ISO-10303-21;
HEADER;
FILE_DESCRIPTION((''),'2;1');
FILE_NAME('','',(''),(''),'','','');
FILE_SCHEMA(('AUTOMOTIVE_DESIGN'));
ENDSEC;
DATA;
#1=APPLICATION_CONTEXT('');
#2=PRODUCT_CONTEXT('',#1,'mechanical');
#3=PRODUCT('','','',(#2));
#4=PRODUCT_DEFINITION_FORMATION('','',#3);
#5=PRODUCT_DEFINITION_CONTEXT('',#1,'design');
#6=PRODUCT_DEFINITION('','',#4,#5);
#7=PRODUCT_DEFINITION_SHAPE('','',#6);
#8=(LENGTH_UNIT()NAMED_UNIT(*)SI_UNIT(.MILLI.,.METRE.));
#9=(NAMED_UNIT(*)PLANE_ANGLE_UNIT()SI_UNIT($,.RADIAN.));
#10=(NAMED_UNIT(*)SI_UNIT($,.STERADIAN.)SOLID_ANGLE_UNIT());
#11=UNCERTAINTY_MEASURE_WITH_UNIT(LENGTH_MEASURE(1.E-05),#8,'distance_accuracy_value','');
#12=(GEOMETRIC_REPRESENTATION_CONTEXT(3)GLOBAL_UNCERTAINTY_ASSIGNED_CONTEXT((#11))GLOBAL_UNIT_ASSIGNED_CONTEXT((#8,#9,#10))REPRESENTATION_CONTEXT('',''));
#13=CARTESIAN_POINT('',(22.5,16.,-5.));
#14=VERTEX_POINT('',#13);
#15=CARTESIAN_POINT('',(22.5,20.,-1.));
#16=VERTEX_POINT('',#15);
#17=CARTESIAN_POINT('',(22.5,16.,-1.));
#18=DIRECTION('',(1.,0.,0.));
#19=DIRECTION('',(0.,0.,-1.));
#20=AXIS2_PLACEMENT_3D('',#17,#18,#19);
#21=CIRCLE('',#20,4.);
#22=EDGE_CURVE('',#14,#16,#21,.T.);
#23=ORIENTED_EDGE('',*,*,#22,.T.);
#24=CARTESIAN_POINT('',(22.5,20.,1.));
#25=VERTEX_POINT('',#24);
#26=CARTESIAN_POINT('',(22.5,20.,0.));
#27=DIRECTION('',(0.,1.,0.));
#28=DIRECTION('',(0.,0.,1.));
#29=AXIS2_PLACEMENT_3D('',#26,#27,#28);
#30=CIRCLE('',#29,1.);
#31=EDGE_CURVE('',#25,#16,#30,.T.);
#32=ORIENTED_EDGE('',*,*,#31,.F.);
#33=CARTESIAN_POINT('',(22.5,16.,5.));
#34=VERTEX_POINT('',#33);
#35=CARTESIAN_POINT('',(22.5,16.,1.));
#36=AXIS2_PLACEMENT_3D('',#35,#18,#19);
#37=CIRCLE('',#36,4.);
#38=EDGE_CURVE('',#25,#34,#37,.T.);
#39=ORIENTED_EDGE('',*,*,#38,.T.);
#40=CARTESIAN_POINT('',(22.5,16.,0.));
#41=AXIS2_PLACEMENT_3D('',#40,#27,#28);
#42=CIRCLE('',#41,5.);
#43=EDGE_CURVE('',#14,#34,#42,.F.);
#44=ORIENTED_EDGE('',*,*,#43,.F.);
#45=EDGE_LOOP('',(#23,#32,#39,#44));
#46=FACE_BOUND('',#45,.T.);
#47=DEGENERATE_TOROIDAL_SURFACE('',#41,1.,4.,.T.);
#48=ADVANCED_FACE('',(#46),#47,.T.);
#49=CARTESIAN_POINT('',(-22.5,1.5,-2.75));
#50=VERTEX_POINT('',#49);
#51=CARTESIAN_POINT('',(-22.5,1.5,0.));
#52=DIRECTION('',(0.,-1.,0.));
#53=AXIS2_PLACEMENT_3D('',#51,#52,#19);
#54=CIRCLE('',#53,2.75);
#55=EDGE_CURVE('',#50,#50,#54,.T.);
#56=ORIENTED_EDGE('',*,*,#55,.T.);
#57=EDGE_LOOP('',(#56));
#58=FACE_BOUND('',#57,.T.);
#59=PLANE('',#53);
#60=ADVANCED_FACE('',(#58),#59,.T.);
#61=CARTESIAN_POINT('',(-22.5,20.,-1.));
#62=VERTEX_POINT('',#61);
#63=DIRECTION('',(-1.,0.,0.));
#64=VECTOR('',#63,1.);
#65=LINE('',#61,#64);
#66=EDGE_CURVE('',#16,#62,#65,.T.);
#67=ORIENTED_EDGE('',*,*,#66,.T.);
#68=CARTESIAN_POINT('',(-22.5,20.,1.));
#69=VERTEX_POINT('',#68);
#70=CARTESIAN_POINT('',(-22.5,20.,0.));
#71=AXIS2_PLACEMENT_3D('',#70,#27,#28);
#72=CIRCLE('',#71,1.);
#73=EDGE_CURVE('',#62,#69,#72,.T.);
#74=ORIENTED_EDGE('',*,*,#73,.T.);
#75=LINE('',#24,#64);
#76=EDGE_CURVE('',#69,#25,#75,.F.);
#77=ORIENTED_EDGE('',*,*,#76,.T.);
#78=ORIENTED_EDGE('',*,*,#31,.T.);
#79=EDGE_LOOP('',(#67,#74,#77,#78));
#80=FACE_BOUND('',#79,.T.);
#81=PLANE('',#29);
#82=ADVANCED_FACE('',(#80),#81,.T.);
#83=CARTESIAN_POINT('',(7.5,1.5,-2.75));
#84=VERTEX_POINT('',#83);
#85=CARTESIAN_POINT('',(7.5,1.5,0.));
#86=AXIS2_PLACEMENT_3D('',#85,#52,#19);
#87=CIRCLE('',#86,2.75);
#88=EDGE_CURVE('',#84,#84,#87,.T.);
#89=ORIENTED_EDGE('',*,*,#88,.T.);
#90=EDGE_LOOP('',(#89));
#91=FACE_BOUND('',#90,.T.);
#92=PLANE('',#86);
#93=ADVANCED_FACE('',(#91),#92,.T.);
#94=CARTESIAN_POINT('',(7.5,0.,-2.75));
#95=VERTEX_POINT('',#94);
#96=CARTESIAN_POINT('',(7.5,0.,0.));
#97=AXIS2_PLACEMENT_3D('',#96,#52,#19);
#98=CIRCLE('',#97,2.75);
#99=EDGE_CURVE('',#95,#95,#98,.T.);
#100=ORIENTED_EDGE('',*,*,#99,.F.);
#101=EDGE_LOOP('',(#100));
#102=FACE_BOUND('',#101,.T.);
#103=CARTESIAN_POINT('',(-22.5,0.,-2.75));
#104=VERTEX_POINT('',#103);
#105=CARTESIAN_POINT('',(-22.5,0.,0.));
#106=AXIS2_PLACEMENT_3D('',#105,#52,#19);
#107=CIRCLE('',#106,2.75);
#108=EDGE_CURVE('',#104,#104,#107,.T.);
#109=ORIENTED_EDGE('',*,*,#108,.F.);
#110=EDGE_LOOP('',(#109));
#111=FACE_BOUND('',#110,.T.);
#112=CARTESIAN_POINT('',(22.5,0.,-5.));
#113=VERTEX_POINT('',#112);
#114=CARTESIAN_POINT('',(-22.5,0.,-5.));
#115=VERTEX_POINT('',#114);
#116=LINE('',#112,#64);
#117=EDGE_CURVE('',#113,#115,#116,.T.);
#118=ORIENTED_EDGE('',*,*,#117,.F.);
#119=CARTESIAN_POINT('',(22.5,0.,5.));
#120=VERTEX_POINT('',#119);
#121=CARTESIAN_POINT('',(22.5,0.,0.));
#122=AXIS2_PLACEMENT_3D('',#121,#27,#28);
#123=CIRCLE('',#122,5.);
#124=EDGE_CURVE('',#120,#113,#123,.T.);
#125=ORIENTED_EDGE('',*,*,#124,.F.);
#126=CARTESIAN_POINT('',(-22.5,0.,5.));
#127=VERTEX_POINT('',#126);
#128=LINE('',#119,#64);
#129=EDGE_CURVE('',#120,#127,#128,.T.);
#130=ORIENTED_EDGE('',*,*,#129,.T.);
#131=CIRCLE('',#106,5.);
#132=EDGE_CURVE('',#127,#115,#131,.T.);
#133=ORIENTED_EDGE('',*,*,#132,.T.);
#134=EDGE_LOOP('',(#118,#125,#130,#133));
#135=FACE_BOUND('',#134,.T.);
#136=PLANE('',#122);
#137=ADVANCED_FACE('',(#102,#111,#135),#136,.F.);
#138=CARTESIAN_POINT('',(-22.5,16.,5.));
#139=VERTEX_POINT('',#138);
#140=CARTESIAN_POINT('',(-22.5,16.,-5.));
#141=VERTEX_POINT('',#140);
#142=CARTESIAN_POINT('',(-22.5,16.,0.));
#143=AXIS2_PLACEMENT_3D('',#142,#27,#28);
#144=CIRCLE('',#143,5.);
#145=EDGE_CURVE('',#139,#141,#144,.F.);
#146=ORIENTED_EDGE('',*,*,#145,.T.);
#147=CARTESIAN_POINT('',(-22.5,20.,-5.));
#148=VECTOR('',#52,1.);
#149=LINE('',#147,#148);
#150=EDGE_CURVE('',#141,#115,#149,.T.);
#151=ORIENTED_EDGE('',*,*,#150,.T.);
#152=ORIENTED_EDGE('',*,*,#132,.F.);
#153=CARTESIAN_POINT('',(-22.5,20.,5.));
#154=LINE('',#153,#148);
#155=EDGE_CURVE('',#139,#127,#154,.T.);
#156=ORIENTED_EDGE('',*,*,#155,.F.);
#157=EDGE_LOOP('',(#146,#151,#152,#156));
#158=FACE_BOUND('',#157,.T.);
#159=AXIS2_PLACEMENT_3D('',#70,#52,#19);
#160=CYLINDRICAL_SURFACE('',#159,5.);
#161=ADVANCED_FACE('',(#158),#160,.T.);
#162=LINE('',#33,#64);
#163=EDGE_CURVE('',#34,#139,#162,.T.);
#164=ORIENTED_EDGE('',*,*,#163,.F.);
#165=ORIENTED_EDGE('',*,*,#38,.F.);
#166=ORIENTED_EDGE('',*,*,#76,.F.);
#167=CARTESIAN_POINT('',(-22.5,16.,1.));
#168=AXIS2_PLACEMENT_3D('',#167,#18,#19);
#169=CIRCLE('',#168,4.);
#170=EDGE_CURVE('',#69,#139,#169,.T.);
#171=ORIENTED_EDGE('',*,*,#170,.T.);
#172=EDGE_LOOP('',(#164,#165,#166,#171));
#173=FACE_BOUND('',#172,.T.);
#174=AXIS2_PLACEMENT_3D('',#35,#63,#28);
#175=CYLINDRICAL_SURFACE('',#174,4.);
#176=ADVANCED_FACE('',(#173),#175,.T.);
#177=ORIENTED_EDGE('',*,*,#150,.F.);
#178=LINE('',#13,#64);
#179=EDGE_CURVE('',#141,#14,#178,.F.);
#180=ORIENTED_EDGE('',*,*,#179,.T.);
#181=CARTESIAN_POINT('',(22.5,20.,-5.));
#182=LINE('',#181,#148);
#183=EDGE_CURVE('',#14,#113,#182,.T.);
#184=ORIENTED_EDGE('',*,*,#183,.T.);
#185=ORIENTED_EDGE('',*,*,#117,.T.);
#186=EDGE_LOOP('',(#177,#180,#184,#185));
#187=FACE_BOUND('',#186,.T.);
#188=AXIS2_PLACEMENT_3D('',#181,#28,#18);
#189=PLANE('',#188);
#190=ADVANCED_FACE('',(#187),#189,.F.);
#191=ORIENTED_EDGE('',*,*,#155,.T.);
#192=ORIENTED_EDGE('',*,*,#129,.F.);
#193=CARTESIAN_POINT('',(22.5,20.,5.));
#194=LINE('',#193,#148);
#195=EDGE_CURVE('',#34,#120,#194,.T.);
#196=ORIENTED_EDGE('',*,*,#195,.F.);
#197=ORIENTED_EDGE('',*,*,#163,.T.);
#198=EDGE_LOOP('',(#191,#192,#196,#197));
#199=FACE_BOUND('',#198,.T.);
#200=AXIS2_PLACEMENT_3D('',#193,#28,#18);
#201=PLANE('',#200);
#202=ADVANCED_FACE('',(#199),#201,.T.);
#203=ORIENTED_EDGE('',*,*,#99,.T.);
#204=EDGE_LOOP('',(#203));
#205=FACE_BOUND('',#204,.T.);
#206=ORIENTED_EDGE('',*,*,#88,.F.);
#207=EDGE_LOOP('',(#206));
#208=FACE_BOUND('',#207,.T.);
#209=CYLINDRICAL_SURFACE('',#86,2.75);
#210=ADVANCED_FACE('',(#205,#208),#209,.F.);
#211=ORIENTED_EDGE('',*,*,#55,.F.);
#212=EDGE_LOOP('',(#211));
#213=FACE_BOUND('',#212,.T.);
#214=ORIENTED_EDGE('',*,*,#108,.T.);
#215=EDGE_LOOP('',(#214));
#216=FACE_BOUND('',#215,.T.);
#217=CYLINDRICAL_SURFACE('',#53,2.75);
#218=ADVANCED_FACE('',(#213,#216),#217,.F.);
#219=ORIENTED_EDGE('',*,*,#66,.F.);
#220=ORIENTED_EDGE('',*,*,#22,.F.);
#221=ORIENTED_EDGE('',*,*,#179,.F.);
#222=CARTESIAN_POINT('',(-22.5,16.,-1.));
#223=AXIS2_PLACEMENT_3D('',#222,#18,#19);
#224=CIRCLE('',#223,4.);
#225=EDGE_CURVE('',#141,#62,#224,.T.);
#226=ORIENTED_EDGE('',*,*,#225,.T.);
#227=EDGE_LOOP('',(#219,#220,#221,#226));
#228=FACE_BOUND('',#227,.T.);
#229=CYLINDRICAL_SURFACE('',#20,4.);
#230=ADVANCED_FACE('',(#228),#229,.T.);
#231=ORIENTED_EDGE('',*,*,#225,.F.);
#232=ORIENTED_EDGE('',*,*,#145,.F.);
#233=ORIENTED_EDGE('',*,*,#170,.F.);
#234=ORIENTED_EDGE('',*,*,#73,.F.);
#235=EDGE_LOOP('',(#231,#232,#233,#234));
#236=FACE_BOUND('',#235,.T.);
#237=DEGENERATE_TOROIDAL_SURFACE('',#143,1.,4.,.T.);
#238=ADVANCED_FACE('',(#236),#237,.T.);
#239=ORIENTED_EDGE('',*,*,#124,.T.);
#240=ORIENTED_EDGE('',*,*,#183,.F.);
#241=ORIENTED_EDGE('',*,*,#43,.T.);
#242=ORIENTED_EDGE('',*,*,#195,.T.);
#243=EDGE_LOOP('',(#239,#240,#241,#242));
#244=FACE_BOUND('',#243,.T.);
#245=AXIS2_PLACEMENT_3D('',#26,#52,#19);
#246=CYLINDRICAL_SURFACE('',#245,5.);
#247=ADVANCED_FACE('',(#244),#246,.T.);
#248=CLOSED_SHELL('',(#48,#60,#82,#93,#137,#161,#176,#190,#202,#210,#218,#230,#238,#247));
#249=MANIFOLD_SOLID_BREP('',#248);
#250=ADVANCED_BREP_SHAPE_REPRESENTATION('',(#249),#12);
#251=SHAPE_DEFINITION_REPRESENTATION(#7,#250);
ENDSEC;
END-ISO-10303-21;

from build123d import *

# Parameters (mm, degrees)
BOSS_EXTRUDE1_DEPTH = 20
FILLET1_R           = 4
SKETCH2_R           = 2.75
CUT_EXTRUDE1_DEPTH  = 1.5
LPATTERN1_COUNT     = 2
LPATTERN1_PITCH     = 30


with BuildPart() as part:
    # Sketch1 → Boss-Extrude1 (new body)
    with BuildSketch(Plane(origin=(0, 0, 0), x_dir=(1, 0, 0), z_dir=(0, 1, 0))):
        with BuildLine():
            Line((22.5, -5), (-22.5, -5))
            ThreePointArc((-22.5, -5), (-27.5, 0), (-22.5, 5))
            Line((-22.5, 5), (22.5, 5))
            ThreePointArc((22.5, 5), (27.5, 0), (22.5, -5))
        make_face()
    extrude(amount=BOSS_EXTRUDE1_DEPTH)

    # Fillet1
    fillet1_edges = [part.edges().sort_by_distance(p)[0] for p in [
        (-27.5, 20, 0),
        (0, 20, 5),
        (27.5, 20, 0),
        (0, 20, -5),
    ]]
    fillet(fillet1_edges, radius=FILLET1_R)

    # Sketch2 → Cut-Extrude1 (cut)
    with BuildSketch(Plane.XZ):
        with Locations(Location((-22.5, 0, 0), (0, 0, 270))):
            Circle(SKETCH2_R)
    cut_extrude1 = extrude(amount=-CUT_EXTRUDE1_DEPTH, mode=Mode.SUBTRACT)

    # LPattern1: Cut-Extrude1 ×2
    with Locations(*[(i * LPATTERN1_PITCH, 0, 0) for i in range(1, LPATTERN1_COUNT)]):
        add(cut_extrude1, mode=Mode.SUBTRACT)


solid = part.part
